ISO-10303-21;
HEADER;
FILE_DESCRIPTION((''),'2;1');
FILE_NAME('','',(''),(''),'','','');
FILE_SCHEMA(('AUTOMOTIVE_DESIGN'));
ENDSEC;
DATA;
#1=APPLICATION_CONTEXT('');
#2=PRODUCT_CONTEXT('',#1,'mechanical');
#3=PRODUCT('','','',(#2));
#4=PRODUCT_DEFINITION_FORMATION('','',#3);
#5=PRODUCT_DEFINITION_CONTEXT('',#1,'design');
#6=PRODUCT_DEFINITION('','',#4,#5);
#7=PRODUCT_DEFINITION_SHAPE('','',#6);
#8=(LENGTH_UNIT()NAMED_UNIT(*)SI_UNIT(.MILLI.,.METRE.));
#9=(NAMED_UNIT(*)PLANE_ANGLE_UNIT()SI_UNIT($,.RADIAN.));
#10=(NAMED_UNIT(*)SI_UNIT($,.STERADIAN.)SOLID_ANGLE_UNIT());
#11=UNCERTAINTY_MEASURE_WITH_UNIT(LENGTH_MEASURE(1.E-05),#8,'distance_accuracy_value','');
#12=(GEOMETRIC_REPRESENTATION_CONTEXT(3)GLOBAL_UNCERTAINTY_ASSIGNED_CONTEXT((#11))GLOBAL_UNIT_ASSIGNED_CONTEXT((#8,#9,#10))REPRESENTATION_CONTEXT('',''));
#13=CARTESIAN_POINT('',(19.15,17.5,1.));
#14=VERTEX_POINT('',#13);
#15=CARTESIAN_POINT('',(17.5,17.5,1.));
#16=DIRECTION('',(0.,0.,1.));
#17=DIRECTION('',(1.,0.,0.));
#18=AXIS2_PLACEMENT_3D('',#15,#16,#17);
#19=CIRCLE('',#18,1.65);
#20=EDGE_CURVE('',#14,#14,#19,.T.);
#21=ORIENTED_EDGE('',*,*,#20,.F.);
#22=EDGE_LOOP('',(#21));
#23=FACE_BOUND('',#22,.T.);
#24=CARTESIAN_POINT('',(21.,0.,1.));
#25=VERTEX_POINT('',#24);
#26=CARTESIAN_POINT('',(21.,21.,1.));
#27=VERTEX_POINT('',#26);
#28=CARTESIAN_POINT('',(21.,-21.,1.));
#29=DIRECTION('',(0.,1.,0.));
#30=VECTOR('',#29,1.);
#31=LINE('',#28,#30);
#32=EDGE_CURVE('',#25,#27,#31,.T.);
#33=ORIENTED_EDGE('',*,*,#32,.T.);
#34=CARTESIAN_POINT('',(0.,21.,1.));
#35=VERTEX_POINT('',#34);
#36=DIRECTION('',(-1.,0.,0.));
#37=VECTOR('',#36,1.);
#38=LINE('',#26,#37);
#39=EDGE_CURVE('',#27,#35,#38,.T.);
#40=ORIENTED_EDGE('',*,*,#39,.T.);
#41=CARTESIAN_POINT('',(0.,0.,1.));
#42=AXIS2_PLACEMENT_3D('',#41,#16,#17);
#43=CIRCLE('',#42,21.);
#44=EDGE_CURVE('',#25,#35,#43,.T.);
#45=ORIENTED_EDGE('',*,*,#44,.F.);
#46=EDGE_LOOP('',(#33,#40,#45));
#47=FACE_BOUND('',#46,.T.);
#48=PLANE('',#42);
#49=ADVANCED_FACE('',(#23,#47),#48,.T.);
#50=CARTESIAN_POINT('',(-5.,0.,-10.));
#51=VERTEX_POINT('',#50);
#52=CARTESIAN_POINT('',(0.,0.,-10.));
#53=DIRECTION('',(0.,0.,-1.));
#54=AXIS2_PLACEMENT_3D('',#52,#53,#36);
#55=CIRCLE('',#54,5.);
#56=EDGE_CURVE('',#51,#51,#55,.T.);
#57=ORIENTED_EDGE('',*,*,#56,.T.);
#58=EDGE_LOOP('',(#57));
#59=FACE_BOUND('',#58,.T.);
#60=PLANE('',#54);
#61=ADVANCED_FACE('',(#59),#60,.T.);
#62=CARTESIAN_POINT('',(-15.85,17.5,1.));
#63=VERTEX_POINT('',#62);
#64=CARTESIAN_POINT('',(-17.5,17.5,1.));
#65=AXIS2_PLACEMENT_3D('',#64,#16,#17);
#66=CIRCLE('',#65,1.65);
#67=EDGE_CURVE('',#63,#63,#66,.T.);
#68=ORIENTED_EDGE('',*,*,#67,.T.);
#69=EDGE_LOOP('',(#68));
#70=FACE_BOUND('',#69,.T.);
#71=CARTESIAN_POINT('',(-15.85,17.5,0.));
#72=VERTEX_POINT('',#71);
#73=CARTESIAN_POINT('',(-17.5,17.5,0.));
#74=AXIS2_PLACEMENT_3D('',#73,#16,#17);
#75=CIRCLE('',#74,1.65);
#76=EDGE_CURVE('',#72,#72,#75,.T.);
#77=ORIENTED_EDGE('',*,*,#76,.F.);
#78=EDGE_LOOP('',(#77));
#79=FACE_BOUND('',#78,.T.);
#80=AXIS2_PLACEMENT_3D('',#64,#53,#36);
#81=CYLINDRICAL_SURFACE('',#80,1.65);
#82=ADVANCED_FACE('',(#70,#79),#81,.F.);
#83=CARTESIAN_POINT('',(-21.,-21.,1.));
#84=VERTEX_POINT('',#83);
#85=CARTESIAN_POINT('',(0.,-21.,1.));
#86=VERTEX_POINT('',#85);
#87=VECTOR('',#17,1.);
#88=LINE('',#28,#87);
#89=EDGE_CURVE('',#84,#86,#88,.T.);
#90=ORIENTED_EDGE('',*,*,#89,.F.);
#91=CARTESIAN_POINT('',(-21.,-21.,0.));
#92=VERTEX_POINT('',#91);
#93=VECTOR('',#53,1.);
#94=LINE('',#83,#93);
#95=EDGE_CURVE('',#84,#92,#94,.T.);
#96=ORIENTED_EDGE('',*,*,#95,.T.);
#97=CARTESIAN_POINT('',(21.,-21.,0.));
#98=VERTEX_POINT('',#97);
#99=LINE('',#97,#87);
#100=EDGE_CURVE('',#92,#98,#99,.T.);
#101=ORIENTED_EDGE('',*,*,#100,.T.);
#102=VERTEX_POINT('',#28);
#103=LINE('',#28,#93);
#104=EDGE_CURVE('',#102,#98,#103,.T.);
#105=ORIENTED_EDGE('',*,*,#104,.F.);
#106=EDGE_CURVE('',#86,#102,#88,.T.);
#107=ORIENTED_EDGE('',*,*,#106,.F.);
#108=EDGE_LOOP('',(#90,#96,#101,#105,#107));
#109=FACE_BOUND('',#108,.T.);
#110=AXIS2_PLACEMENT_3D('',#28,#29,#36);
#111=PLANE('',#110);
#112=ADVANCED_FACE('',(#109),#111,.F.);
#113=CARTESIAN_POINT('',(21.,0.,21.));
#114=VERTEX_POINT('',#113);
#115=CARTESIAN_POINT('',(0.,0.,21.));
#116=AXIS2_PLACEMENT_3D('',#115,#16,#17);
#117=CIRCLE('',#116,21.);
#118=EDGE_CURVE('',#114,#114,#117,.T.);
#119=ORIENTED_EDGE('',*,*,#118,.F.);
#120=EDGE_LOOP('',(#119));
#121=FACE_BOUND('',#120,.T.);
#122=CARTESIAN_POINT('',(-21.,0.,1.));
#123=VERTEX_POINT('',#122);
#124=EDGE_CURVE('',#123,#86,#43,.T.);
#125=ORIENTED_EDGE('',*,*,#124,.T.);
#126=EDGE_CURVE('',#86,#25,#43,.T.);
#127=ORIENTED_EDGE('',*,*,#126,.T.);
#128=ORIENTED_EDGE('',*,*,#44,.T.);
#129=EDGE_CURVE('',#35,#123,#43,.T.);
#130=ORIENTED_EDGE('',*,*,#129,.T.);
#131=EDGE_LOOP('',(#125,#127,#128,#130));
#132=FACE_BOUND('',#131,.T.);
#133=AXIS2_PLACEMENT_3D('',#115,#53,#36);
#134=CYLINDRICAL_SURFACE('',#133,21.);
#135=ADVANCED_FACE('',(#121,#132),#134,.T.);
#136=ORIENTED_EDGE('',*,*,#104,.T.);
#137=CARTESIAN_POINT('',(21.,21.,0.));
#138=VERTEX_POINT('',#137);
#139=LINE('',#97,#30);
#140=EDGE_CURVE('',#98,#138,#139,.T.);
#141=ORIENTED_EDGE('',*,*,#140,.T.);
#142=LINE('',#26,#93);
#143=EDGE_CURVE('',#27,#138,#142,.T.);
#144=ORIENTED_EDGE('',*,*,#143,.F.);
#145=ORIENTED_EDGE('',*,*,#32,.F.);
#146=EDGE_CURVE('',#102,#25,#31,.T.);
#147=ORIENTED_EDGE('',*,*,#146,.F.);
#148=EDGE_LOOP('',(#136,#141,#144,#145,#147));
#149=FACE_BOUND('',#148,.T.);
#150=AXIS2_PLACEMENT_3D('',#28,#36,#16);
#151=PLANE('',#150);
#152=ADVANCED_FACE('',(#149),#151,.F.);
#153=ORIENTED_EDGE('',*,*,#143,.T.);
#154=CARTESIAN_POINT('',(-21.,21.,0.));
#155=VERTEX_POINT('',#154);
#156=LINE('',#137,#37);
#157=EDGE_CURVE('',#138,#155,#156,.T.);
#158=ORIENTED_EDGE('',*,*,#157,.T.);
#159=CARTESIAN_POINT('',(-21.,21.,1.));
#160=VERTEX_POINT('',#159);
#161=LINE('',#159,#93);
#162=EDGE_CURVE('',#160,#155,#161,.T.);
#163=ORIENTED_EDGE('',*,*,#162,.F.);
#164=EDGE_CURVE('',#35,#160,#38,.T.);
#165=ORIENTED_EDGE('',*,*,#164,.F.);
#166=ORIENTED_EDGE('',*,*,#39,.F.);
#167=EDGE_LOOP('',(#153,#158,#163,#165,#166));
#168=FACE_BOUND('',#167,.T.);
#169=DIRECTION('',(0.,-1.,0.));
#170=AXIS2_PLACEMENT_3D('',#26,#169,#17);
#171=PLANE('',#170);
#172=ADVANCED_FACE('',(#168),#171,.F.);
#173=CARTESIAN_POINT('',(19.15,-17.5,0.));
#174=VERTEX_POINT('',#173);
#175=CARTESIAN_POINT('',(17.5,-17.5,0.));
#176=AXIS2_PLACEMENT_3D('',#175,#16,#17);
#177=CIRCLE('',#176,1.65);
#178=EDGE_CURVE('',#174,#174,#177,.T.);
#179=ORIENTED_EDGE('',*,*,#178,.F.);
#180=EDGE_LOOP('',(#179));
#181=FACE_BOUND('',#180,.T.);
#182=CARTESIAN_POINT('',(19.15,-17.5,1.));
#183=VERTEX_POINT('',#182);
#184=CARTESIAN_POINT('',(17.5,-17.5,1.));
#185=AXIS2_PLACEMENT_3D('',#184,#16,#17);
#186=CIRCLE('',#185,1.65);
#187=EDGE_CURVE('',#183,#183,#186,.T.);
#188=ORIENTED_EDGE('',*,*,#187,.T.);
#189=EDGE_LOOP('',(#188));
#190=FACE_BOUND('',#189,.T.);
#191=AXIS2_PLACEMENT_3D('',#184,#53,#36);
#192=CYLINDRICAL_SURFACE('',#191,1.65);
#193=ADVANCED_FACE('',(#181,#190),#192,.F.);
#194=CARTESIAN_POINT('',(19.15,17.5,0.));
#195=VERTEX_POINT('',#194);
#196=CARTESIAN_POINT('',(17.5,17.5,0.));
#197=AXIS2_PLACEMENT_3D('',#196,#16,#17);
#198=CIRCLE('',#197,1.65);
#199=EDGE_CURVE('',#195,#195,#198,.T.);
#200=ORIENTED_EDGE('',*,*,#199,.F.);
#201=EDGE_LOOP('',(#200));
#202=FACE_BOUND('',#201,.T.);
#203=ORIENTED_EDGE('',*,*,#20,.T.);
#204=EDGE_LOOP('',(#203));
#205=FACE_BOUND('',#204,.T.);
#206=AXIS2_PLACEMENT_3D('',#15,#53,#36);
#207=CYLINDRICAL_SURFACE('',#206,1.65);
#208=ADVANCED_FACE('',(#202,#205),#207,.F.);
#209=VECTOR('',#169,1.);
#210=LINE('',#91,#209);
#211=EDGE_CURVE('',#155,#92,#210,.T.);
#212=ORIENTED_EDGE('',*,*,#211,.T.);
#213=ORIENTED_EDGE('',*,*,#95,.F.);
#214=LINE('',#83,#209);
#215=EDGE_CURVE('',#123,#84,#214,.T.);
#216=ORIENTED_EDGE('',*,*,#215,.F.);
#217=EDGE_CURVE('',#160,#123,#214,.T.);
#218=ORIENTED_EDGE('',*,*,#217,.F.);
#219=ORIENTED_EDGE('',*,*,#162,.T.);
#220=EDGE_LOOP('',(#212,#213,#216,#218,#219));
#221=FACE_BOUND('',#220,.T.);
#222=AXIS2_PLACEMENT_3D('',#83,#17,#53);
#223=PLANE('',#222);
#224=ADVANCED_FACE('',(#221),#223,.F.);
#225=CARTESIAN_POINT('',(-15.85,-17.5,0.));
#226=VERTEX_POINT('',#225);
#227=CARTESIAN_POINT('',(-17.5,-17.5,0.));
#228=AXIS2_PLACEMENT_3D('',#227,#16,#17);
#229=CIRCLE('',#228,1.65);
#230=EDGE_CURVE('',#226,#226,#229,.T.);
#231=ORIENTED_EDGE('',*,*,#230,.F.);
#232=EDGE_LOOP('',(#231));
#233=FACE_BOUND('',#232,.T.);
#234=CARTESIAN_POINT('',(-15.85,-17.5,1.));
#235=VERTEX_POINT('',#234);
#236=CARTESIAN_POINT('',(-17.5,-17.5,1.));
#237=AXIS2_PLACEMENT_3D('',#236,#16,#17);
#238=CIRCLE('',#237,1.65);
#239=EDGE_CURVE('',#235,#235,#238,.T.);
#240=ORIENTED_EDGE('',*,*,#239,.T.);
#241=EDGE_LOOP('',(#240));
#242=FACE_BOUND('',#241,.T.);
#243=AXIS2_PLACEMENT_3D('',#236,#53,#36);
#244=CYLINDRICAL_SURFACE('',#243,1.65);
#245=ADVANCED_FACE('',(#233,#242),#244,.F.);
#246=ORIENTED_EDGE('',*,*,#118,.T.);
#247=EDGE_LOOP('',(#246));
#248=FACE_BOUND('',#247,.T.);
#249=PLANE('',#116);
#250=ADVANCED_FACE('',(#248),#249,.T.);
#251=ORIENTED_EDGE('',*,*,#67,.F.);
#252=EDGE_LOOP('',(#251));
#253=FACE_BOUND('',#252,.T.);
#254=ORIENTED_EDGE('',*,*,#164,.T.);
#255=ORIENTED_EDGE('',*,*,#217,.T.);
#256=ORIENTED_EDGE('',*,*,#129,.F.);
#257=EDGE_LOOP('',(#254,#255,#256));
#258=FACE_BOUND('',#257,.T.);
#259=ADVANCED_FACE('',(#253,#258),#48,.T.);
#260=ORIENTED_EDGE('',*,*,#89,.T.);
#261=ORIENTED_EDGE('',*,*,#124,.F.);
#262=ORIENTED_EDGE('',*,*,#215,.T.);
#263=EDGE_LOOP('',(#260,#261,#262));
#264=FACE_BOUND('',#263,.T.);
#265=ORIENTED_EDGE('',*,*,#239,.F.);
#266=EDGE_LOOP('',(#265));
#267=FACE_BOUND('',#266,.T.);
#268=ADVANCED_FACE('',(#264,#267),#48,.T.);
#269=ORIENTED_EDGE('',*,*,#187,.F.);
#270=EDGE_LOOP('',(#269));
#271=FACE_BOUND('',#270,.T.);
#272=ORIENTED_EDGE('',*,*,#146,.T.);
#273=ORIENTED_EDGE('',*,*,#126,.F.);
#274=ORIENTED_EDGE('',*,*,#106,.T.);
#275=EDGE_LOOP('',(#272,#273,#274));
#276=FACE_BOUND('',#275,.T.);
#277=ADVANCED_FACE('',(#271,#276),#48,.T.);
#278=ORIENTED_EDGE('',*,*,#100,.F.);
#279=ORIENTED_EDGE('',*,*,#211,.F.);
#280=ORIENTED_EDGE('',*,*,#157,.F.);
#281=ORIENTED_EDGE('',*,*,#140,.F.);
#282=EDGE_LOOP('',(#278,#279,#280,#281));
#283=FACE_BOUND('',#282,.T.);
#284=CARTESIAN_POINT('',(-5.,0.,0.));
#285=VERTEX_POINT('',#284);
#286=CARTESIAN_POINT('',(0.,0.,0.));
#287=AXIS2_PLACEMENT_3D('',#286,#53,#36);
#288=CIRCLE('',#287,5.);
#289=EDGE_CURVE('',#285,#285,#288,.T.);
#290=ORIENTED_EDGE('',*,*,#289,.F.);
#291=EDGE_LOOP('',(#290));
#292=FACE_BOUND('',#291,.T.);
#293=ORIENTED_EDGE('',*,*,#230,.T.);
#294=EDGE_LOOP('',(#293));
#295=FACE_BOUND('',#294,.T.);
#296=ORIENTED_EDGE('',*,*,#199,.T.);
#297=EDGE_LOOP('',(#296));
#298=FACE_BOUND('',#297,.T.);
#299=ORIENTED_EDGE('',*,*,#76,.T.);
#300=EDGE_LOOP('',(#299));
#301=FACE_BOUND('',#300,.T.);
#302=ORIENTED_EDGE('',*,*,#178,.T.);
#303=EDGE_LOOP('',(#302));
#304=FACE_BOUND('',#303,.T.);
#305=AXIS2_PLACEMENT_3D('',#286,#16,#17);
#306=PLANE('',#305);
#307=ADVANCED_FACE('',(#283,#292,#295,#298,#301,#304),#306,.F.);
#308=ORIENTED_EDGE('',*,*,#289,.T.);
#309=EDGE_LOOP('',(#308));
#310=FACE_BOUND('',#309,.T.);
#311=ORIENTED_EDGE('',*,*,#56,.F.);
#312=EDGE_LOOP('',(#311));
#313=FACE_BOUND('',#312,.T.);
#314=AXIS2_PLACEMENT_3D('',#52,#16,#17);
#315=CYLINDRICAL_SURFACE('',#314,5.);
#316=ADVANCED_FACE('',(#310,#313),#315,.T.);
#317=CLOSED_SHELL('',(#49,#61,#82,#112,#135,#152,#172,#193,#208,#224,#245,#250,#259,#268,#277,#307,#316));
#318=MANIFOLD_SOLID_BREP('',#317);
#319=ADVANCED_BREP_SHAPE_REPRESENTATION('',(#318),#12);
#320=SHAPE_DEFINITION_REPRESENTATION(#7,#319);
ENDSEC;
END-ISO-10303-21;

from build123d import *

# Parameters (mm, degrees)
SKETCH1_W           = 42
SKETCH1_H           = 42
SKETCH1_R           = 1.65
BOSS_EXTRUDE1_DEPTH = 1
SKETCH2_R           = 21
BOSS_EXTRUDE2_DEPTH = 20
SKETCH3_R           = 5
BOSS_EXTRUDE3_DEPTH = 10


with BuildPart() as part:
    # Sketch1 → Boss-Extrude1 (new body)
    with BuildSketch(Plane.XY):
        Rectangle(SKETCH1_W, SKETCH1_H)
        with Locations((-17.5, 17.5)):
            Circle(SKETCH1_R, mode=Mode.SUBTRACT)
        with Locations((17.5, 17.5)):
            Circle(SKETCH1_R, mode=Mode.SUBTRACT)
        with Locations((17.5, -17.5)):
            Circle(SKETCH1_R, mode=Mode.SUBTRACT)
        with Locations((-17.5, -17.5)):
            Circle(SKETCH1_R, mode=Mode.SUBTRACT)
    extrude(amount=BOSS_EXTRUDE1_DEPTH)

    # Sketch2 → Boss-Extrude2 (add)
    with BuildSketch(Plane.XY.offset(1)):
        Circle(SKETCH2_R)
    extrude(amount=BOSS_EXTRUDE2_DEPTH)

    # Sketch3 → Boss-Extrude3 (add)
    with BuildSketch(Plane(origin=(0, 0, 0), x_dir=(-1, 0, 0), z_dir=(0, 0, -1))):
        Circle(SKETCH3_R)
    extrude(amount=BOSS_EXTRUDE3_DEPTH)


solid = part.part
